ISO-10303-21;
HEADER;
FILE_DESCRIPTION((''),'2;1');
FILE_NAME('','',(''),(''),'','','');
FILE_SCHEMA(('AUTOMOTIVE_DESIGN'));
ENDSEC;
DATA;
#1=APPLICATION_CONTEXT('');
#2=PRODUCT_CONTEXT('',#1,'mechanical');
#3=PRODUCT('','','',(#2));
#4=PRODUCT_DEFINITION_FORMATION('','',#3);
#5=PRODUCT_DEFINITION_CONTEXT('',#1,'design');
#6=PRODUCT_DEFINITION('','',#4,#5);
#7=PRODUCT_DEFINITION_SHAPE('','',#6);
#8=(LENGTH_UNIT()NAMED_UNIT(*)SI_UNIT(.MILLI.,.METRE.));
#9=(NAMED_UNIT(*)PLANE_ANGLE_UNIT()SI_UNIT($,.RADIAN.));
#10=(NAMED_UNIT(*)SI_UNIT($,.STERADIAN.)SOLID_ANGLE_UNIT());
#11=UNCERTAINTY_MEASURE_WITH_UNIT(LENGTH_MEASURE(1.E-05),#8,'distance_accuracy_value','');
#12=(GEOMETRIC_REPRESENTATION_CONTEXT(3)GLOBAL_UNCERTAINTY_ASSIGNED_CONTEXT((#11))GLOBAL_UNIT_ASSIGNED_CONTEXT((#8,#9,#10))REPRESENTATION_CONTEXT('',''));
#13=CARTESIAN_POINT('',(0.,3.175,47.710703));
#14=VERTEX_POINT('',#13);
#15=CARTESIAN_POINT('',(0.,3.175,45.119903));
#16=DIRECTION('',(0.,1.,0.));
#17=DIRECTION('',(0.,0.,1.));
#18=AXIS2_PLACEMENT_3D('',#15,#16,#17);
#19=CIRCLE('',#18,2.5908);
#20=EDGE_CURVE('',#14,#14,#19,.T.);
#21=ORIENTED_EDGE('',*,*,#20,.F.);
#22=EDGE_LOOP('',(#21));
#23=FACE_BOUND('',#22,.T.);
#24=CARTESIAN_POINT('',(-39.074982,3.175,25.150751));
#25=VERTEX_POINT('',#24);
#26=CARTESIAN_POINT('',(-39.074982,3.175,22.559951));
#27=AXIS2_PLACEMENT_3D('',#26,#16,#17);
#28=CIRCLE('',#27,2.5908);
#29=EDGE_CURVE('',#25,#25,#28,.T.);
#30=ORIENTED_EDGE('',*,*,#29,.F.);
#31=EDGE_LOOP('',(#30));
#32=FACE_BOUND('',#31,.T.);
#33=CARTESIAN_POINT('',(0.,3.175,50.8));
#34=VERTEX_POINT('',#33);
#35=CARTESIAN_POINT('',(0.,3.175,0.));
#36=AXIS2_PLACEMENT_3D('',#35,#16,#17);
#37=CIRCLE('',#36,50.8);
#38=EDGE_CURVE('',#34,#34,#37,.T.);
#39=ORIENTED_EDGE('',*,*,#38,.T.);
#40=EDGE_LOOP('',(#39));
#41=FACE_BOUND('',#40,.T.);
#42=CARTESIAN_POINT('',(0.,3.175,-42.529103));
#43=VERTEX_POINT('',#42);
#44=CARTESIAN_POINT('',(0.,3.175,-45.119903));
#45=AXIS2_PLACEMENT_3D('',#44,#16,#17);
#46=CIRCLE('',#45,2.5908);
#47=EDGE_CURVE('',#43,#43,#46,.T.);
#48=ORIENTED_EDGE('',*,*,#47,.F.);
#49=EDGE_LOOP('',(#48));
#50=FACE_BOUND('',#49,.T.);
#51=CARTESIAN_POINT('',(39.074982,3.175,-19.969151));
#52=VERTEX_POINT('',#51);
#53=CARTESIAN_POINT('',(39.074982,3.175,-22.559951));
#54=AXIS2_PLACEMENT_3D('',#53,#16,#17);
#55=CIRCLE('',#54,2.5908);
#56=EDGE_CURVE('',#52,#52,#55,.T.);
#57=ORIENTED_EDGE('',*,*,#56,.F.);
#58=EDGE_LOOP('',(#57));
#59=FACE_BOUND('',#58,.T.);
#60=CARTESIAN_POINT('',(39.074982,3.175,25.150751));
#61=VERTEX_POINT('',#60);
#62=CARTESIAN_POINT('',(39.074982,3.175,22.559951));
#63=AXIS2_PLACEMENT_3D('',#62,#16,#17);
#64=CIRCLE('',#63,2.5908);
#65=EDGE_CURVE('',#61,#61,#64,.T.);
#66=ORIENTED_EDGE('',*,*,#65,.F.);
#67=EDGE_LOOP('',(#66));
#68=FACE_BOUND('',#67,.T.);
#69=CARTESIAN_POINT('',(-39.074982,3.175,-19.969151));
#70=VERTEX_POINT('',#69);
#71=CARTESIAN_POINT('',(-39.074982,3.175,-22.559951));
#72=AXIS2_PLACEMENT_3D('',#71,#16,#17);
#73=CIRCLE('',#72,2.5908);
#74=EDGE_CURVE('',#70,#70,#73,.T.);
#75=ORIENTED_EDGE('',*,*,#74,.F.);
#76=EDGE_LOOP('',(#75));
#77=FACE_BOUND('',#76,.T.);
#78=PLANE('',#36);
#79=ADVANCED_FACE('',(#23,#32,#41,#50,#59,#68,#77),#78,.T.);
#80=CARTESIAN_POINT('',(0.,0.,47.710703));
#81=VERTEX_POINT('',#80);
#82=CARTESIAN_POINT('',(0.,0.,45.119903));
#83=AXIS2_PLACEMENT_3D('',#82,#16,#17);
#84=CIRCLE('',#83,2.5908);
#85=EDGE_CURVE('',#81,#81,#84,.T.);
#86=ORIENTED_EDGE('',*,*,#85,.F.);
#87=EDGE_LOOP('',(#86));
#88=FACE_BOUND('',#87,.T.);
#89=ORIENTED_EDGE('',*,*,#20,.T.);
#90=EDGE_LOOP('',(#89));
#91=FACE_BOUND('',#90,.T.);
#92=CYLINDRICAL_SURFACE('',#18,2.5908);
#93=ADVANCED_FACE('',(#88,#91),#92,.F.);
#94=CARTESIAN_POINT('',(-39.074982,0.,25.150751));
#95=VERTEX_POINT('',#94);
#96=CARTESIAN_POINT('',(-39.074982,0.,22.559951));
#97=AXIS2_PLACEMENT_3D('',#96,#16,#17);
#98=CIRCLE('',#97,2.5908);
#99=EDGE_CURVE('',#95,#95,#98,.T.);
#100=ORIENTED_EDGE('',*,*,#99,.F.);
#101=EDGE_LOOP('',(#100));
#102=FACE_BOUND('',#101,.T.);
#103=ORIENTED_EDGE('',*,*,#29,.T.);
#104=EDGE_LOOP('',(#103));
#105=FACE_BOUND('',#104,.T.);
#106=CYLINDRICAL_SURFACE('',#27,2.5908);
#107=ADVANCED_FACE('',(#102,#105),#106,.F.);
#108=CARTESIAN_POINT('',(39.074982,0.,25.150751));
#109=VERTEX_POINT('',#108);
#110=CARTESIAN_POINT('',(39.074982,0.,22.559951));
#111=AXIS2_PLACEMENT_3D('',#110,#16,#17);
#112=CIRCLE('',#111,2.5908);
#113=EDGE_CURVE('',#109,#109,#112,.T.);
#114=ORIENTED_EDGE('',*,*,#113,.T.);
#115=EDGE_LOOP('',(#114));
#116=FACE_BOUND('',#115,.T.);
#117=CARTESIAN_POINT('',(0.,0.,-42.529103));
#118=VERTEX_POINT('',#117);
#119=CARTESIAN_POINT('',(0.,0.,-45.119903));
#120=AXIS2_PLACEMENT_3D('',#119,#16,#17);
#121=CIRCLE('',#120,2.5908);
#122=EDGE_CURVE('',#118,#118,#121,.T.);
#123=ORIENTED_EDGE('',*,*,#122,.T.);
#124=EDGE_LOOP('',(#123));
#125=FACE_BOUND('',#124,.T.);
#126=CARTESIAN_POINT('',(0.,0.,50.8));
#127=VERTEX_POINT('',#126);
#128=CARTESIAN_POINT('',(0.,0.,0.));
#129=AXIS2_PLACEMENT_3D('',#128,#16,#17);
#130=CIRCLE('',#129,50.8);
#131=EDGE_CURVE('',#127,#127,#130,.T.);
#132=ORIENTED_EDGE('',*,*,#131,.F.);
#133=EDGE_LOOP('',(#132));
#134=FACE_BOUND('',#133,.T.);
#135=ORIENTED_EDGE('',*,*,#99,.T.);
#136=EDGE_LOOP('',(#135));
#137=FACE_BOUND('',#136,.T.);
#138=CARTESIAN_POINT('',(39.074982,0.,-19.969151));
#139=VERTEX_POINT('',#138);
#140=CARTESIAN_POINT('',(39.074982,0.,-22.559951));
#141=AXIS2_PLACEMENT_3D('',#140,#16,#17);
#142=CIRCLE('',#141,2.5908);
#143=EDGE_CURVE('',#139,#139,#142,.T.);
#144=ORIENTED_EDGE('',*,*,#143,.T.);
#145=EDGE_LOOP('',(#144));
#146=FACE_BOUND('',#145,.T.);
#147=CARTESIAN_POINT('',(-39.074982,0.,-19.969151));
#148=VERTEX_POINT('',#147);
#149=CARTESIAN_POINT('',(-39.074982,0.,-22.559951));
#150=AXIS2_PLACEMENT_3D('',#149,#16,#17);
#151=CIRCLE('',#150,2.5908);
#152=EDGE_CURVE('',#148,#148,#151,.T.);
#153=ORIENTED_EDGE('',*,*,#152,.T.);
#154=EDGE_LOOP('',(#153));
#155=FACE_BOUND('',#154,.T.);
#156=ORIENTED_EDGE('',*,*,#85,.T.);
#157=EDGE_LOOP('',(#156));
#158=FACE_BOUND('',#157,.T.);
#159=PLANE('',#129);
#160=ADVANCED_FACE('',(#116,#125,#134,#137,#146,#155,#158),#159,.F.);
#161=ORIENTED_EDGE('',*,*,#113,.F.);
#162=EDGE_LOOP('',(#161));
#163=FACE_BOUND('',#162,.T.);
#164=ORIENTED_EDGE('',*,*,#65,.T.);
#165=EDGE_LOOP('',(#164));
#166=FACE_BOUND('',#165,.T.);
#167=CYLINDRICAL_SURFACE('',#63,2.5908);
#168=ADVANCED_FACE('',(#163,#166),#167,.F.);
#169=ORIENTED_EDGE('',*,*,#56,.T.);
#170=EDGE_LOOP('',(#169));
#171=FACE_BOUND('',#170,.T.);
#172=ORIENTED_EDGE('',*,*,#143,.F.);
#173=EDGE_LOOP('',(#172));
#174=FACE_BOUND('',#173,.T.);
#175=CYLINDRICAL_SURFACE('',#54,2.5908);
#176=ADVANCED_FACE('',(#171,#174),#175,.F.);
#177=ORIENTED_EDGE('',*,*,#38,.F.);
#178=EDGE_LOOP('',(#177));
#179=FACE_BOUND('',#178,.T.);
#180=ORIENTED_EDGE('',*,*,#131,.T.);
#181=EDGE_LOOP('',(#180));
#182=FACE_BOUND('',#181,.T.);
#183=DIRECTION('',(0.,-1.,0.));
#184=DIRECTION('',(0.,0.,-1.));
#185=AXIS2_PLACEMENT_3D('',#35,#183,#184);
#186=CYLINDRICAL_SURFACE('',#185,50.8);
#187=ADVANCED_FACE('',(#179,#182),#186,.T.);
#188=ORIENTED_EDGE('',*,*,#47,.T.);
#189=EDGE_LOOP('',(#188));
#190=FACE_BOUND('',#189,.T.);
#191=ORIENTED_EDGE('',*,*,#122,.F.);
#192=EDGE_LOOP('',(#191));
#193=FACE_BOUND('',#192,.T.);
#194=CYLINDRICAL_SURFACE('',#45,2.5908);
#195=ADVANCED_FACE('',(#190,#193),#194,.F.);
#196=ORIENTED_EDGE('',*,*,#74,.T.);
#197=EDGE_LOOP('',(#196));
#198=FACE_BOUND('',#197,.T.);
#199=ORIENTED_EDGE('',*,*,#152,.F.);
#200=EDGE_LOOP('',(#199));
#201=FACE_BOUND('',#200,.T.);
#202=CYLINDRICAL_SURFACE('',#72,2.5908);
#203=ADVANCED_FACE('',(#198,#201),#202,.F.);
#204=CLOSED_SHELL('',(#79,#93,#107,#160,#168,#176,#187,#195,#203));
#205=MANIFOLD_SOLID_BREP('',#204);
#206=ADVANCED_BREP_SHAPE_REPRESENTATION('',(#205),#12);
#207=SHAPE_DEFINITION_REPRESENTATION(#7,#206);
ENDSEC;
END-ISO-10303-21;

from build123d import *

# Parameters (mm, degrees)
SKETCH1_R                  = 50.8
BOSS_EXTRUDE1_DEPTH        = 3.175
F_6_0_204_DIAMETER_HOLE1_D = 5.1816
CIRPATTERN1_COUNT          = 6


with BuildPart() as part:
    # Sketch1 → Boss-Extrude1 (new body)
    with BuildSketch(Plane(origin=(0, 0, 0), x_dir=(1, 0, 0), z_dir=(0, 1, 0))):
        Circle(SKETCH1_R)
    extrude(amount=BOSS_EXTRUDE1_DEPTH)

    # #6 (0.204) Diameter Hole1 (through all)
    with Locations(Plane(origin=(0, 3.175, 0), x_dir=(1, 0, 0), z_dir=(0, 1, 0))):
        with Locations((0, 45.119902577)):
            f_6_0_204_diameter_hole1 = Hole(F_6_0_204_DIAMETER_HOLE1_D / 2)

    # CirPattern1: #6 (0.204) Diameter Hole1 ×6 about axis
    cirpattern1_axis = Axis((0, 0, 0), (0, 1, 0))
    for i in range(1, CIRPATTERN1_COUNT):
        add(f_6_0_204_diameter_hole1.rotate(cirpattern1_axis, i * 360 / CIRPATTERN1_COUNT), mode=Mode.SUBTRACT)


solid = part.part
